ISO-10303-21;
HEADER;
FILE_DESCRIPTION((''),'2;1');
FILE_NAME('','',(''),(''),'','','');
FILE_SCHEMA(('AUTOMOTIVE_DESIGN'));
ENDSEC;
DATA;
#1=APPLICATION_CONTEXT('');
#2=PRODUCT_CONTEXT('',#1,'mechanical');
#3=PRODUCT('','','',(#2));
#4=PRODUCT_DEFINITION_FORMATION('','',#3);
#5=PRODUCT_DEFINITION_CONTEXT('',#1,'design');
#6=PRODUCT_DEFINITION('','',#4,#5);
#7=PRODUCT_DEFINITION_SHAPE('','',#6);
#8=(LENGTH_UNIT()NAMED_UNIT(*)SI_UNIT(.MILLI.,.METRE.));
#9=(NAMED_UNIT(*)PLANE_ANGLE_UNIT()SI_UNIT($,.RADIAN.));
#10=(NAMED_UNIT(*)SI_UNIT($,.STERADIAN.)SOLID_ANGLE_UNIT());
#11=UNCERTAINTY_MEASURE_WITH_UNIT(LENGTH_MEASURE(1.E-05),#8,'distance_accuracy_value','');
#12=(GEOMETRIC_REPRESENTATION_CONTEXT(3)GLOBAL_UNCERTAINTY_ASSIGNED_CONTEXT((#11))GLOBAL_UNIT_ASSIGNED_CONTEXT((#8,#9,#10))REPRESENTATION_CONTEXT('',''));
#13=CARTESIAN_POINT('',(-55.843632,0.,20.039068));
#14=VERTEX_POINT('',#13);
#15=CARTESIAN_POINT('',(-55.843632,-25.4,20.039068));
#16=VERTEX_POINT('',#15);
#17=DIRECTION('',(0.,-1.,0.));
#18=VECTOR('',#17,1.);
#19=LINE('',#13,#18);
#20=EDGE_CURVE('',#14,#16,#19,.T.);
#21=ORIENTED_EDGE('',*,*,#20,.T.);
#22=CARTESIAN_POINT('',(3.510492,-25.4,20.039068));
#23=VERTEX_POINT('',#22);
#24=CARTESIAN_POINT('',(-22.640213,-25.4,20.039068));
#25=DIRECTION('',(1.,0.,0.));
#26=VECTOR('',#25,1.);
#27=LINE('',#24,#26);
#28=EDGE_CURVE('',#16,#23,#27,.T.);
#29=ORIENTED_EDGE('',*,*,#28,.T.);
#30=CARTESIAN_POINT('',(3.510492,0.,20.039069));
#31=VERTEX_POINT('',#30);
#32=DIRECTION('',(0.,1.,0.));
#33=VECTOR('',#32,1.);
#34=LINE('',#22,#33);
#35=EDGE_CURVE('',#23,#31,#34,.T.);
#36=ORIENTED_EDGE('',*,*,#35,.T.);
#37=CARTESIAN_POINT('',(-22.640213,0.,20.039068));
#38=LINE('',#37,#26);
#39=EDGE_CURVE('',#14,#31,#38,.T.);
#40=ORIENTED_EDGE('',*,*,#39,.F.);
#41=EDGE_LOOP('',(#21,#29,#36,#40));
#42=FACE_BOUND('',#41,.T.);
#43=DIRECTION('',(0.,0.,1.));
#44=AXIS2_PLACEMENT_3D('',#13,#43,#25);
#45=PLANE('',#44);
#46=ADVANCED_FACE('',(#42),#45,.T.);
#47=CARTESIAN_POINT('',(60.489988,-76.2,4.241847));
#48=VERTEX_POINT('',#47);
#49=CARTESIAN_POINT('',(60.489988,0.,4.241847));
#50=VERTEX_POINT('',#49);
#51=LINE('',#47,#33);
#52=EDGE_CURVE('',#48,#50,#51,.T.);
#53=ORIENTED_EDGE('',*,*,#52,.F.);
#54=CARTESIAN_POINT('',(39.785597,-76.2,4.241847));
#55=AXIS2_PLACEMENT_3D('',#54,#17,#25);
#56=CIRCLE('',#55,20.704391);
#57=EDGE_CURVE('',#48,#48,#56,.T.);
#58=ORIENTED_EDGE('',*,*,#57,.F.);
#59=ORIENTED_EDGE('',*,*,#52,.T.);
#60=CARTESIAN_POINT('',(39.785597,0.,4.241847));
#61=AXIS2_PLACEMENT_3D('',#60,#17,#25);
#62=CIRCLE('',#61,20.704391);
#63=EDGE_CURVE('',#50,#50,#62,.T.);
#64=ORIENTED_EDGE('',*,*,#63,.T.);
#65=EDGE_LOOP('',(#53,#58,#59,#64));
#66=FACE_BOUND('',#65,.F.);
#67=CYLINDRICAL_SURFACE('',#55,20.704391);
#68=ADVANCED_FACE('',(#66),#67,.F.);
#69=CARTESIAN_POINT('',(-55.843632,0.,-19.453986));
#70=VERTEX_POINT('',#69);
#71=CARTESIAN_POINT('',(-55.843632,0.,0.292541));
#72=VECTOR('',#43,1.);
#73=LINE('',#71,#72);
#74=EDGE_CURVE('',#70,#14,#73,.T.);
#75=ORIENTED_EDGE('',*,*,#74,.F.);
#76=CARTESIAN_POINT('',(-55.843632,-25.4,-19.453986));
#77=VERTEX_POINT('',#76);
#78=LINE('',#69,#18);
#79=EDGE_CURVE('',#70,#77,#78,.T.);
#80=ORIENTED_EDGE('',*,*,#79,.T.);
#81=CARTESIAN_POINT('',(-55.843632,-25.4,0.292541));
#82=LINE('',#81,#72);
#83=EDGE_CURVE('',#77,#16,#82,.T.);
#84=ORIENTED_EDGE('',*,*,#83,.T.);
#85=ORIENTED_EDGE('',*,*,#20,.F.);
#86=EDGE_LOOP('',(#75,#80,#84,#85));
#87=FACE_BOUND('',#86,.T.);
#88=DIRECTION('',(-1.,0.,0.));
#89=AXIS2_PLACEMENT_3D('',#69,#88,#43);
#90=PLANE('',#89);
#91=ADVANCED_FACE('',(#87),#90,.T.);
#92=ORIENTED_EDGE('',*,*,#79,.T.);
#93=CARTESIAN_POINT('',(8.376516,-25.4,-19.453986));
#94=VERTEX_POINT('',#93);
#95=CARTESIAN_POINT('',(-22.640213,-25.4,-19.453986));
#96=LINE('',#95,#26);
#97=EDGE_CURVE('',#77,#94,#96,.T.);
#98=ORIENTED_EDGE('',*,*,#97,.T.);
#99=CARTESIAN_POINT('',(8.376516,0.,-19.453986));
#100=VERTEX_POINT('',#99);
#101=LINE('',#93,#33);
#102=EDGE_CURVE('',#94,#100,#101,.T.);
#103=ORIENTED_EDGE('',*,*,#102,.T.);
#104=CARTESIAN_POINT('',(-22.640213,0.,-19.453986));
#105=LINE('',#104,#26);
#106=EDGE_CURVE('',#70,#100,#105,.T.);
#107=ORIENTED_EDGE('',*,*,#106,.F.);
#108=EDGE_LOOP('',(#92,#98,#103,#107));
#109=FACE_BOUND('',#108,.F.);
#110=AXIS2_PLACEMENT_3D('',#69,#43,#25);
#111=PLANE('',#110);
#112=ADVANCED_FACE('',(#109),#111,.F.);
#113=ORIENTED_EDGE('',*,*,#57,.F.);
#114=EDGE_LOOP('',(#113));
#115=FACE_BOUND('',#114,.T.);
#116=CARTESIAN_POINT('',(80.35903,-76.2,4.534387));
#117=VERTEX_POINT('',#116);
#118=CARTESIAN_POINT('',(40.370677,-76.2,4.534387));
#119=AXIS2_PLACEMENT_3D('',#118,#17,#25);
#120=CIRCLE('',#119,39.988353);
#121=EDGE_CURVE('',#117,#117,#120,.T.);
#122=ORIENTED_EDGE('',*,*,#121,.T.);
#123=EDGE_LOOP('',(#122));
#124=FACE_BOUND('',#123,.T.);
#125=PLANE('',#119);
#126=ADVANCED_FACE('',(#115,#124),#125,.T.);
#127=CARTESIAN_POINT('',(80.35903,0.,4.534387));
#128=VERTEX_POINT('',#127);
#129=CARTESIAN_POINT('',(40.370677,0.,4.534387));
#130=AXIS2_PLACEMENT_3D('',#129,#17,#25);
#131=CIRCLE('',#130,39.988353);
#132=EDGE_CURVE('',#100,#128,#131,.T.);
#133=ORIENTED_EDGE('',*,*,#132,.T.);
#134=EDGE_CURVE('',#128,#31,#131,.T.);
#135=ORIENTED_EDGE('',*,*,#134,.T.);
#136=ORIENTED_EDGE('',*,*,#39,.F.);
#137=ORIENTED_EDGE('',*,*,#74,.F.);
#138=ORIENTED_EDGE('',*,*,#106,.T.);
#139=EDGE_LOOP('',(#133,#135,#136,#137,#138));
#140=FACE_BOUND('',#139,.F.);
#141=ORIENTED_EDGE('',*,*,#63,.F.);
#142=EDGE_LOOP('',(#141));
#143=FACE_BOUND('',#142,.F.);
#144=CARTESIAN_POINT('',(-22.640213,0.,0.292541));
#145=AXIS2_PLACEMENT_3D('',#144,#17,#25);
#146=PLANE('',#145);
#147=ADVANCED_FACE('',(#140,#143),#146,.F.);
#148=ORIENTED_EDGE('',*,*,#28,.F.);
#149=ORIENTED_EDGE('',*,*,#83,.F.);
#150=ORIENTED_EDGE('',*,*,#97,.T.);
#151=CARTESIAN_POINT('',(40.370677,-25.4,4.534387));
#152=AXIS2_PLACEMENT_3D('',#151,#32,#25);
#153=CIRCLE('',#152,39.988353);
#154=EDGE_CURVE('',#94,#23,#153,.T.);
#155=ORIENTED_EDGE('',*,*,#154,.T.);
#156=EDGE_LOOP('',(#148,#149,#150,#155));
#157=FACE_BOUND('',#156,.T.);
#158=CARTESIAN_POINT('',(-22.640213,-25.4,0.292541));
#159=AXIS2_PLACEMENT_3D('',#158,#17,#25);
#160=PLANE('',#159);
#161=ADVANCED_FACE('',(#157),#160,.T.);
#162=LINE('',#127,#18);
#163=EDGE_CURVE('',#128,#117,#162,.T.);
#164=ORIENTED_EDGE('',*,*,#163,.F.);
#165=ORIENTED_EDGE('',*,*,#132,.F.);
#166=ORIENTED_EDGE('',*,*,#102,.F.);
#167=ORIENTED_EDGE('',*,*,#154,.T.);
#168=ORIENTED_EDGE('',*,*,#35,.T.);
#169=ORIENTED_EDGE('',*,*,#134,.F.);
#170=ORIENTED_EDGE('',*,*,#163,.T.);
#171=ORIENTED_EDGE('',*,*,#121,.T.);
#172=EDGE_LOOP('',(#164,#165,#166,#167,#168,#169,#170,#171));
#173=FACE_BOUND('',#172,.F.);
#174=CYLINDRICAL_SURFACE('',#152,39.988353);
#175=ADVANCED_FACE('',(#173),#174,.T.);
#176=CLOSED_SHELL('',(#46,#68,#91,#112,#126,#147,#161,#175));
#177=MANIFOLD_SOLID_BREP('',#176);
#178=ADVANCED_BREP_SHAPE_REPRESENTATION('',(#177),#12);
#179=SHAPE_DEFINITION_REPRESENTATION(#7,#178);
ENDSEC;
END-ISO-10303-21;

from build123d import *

# Parameters (mm, degrees)
F0_R      = 39.988353
F1_DEPTH  = 25.4
F1_FACE_R = 39.988353
F2_DEPTH  = 50.8
F3_R      = 20.704391
F4_DEPTH  = 76.201
F5_W      = 66.406839
F5_H      = 39.493055
F6_DEPTH  = 25.4


with BuildPart() as f1:
    # F0 (on Front) → F1 (new body)
    with BuildSketch(Plane.XZ):
        with Locations((40.370677, 4.534387)):
            Circle(F0_R)
    extrude(amount=F1_DEPTH)

    # F1_face (on face) → F2 (join)
    with BuildSketch(Plane(origin=(40.370677, -25.4, 4.534387), x_dir=(1, 0, 0), z_dir=(0, -1, 0))):
        Circle(F1_FACE_R)
    extrude(amount=F2_DEPTH)

    # F3 (on face) → F4 (cut, through all)
    with BuildSketch(Plane.XZ.offset(76.2)):
        with Locations((39.785597, 4.241847)):
            Circle(F3_R)
    extrude(amount=-F4_DEPTH, mode=Mode.SUBTRACT)

    # F5 (on Front) → F6 (join)
    with BuildSketch(Plane.XZ):
        with Locations((-22.640213, 0.292541)):
            Rectangle(F5_W, F5_H)
    extrude(amount=F6_DEPTH)


solid = f1.part
